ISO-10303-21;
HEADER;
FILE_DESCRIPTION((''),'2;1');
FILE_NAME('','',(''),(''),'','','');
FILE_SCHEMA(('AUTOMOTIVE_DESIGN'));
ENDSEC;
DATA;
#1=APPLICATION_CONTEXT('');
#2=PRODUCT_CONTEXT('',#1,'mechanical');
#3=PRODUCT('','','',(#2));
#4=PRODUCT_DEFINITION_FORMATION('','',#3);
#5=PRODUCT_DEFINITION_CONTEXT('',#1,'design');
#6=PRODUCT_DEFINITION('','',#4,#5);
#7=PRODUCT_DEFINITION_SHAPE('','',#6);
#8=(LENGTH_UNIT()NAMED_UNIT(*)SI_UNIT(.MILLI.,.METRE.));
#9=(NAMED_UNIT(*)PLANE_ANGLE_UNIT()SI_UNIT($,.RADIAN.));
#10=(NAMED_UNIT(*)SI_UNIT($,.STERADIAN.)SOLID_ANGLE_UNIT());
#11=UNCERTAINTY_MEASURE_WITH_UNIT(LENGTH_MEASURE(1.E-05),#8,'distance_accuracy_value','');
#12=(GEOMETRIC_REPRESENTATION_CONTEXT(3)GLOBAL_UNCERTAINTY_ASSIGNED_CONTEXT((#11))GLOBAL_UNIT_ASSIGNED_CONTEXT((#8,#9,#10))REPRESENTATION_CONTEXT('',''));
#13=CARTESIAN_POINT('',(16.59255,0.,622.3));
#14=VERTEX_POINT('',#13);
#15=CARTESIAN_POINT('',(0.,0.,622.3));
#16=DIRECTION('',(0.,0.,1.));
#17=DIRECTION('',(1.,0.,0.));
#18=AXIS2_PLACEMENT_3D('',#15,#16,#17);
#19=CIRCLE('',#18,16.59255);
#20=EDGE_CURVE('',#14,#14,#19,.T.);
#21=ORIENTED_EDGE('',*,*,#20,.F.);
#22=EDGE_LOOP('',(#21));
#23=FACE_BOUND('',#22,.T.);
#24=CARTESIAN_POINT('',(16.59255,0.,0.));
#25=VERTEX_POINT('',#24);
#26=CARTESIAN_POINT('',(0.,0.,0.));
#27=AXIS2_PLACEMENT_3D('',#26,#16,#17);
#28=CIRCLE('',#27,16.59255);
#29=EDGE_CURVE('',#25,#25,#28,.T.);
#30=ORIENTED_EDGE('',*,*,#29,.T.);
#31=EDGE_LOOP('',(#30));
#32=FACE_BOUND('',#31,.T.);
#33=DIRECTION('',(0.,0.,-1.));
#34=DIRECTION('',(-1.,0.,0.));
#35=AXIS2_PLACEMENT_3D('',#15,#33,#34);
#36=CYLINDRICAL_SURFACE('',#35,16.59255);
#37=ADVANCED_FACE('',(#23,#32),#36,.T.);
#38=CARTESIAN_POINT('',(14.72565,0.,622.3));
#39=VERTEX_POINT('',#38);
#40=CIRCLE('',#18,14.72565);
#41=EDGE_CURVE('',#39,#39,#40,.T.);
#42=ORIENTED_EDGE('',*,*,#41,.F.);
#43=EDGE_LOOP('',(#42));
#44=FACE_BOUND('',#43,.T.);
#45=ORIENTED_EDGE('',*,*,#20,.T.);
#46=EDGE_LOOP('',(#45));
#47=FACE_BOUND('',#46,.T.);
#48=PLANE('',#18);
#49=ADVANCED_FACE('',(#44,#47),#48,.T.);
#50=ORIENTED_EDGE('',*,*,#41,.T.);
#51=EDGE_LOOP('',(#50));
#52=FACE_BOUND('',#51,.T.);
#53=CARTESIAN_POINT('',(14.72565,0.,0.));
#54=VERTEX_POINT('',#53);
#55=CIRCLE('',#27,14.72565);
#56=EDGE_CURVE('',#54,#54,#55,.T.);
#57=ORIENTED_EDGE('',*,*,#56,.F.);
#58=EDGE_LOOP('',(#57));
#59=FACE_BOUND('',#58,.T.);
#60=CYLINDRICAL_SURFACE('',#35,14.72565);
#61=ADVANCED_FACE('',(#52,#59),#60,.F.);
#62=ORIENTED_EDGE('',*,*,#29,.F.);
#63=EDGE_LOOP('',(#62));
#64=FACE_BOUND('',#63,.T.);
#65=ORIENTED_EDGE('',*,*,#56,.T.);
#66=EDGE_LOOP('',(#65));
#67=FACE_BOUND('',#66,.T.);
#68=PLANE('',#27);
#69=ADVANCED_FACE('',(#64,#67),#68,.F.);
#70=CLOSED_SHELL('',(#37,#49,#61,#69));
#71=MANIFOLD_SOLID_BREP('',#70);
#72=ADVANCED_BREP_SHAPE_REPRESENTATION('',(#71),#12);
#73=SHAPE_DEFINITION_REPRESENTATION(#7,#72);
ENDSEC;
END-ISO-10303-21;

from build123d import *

# Parameters (mm, degrees)
SKETCH1_R           = 16.59255
SKETCH1_R_2         = 14.72565
BOSS_EXTRUDE1_DEPTH = 622.3


with BuildPart() as part:
    # Sketch1 → Boss-Extrude1 (new body)
    with BuildSketch(Plane.XY):
        Circle(SKETCH1_R)
        Circle(SKETCH1_R_2, mode=Mode.SUBTRACT)
    extrude(amount=BOSS_EXTRUDE1_DEPTH)


solid = part.part
